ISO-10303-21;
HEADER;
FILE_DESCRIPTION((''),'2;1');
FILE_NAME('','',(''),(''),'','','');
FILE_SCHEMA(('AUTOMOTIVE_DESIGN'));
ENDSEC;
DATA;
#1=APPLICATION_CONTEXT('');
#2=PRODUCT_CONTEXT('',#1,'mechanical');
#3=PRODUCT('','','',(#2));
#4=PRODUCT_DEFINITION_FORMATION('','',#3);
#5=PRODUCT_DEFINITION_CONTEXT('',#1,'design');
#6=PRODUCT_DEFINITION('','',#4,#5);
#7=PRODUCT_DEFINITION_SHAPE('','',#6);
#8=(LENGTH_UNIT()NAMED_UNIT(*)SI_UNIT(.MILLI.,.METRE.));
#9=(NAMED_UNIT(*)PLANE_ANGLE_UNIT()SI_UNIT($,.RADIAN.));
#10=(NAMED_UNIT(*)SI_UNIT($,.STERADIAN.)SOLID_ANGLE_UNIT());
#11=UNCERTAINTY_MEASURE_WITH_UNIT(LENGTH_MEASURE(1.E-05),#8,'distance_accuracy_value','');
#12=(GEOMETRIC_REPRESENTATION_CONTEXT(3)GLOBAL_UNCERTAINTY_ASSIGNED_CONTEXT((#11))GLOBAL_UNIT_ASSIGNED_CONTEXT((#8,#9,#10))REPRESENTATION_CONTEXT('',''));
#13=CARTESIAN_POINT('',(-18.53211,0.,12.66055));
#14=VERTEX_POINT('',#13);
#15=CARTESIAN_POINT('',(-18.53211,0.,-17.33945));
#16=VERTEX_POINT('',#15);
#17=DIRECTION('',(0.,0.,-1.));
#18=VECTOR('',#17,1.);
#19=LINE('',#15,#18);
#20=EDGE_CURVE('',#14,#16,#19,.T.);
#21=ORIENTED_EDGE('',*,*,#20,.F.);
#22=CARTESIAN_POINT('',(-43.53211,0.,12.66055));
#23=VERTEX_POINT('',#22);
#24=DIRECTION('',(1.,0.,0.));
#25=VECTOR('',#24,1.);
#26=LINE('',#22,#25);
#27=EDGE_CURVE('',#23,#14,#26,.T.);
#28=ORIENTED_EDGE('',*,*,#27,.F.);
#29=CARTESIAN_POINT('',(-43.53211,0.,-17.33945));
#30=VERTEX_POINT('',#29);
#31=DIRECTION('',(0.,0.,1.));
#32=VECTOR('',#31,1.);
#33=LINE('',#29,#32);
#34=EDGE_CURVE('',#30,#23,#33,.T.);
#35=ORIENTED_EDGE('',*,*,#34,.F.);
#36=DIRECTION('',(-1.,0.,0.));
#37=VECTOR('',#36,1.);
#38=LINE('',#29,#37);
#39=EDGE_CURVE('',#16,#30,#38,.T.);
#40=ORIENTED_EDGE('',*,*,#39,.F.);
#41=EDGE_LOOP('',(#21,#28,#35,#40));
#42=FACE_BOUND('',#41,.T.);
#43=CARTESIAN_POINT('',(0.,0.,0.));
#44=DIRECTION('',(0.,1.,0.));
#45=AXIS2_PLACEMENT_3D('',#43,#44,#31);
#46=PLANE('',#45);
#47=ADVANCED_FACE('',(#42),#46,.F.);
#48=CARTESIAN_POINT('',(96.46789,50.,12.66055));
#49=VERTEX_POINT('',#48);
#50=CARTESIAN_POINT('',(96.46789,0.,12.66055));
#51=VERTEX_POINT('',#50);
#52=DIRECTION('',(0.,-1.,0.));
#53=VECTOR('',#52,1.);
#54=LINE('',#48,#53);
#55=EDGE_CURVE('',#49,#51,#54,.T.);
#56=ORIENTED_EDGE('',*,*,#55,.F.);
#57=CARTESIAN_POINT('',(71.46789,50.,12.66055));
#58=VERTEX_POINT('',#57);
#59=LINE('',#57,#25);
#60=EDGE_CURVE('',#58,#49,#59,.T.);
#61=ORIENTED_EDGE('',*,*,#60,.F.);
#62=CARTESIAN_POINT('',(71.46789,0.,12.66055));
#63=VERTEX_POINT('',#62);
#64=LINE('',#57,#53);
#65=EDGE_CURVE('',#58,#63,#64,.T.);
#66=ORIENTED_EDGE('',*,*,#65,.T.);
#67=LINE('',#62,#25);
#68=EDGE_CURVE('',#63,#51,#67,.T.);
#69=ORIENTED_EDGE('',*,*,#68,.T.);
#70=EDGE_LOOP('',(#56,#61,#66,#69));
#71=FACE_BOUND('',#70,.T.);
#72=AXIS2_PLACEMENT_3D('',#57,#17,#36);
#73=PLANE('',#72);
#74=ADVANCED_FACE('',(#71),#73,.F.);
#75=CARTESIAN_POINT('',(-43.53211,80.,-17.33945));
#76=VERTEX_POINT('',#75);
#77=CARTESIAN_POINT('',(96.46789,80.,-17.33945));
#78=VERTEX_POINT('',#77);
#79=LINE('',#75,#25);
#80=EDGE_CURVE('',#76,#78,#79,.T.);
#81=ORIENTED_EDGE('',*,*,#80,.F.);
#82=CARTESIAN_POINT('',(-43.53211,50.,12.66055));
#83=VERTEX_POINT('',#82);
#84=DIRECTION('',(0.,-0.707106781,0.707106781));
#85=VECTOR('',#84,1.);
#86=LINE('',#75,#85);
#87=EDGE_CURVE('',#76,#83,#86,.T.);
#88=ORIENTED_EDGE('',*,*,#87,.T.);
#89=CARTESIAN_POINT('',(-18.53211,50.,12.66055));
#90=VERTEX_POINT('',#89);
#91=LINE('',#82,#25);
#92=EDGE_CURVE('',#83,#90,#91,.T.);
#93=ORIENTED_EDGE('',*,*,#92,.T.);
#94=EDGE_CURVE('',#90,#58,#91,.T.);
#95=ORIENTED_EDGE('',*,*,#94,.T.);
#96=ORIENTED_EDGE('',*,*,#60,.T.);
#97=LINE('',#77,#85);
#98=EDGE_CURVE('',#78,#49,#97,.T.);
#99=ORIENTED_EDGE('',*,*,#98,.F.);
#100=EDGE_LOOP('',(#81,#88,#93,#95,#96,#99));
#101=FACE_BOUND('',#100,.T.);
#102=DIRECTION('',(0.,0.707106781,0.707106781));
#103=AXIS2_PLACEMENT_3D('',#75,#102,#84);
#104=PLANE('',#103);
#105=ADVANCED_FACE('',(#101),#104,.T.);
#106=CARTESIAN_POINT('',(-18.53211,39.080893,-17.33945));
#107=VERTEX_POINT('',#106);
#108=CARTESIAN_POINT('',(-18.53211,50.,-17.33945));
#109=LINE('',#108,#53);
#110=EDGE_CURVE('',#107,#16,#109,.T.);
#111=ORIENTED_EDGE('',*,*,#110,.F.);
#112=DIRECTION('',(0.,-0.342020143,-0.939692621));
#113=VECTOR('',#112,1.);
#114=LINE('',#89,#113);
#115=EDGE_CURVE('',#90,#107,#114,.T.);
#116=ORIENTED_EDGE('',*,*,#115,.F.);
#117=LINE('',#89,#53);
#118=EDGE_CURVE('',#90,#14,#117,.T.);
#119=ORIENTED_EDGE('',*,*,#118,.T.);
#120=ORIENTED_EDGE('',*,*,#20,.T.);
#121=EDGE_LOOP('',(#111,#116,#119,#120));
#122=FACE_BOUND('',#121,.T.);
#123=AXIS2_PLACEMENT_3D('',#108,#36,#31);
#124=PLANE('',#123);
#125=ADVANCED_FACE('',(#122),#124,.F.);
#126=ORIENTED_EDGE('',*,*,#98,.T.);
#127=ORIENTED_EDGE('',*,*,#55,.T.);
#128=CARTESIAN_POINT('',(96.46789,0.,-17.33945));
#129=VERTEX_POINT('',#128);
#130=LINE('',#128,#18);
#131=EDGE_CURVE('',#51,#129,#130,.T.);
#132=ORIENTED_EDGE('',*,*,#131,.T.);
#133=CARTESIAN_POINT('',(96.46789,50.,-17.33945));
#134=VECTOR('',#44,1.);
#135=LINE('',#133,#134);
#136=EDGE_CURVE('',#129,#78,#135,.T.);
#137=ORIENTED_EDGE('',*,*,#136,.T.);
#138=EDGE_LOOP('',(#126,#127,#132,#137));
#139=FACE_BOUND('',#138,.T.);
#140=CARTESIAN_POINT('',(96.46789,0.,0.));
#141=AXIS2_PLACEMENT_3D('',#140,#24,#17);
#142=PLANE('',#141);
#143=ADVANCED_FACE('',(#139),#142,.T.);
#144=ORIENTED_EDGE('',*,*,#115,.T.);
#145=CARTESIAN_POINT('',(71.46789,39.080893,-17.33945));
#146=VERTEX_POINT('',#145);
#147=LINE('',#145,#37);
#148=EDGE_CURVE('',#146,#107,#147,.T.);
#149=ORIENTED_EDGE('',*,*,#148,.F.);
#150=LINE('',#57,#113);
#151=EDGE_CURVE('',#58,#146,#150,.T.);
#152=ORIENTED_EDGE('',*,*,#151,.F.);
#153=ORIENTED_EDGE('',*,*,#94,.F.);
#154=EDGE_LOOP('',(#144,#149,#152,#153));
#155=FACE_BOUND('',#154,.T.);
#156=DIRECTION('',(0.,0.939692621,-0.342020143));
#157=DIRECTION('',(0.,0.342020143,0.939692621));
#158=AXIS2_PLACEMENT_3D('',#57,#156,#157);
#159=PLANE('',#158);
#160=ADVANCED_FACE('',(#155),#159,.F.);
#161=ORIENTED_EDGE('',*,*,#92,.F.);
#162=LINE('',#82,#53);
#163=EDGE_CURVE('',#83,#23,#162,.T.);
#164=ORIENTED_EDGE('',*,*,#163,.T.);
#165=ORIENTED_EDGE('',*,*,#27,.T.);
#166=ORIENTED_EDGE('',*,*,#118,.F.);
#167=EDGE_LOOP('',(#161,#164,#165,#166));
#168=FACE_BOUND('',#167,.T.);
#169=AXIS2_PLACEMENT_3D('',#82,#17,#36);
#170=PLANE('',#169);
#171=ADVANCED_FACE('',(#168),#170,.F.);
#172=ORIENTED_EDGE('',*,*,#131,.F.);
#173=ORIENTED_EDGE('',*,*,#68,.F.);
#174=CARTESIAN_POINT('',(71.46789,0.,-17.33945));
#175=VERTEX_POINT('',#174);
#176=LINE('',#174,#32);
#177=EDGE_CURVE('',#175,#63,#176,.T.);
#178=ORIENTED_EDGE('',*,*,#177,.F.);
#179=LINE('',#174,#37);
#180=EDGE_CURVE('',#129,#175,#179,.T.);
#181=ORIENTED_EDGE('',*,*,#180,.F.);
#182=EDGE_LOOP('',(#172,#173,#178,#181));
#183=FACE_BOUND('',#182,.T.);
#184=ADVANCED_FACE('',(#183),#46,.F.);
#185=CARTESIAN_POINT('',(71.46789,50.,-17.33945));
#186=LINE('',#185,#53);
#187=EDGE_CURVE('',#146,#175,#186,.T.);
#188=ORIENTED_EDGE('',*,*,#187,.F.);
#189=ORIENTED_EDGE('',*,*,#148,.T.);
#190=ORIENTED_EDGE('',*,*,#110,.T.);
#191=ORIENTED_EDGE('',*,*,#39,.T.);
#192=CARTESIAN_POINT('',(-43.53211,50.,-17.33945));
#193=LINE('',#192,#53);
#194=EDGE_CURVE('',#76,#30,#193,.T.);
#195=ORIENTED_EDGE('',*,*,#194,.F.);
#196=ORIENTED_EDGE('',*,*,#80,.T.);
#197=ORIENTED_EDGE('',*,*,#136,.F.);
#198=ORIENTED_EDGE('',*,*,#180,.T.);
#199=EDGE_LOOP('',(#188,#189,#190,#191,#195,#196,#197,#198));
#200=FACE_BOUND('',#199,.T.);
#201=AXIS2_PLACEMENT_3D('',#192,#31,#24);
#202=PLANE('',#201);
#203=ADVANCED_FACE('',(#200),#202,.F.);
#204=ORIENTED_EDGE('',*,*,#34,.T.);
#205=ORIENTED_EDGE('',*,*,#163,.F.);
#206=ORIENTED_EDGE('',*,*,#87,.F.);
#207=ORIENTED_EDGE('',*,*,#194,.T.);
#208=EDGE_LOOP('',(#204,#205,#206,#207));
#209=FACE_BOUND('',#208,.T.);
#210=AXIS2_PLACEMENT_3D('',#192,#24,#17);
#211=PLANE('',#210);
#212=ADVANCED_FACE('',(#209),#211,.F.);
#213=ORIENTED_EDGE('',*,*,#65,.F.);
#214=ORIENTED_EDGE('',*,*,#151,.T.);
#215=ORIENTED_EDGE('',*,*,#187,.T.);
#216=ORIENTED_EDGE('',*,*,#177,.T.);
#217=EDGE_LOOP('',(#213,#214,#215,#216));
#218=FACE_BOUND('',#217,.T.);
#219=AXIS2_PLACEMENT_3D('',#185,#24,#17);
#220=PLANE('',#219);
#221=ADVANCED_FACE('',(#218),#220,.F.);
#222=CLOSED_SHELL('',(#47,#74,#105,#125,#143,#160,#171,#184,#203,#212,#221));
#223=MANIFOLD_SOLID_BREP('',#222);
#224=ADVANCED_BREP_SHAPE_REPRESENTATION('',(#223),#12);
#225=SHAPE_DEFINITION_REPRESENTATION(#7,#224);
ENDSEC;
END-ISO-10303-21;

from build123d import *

# Parameters (mm, degrees)
SKETCH1_W             = 25
SKETCH1_H             = 30
BOSS_EXTRUDE1_DEPTH   = 50
BOSS_EXTRUDE1_2_DEPTH = 50
BOSS_EXTRUDE2_START   = -140
BOSS_EXTRUDE2_DEPTH   = 140
BOSS_EXTRUDE3_DEPTH   = 90


with BuildPart() as part:
    # Sketch1 → Boss-Extrude1 (new body)
    with BuildSketch(Plane(origin=(0, 0, 0), x_dir=(1, 0, 0), z_dir=(0, 1, 0))):
        with Locations((-31.032110092, 2.339449541)):
            Rectangle(SKETCH1_W, SKETCH1_H)
    extrude(amount=BOSS_EXTRUDE1_DEPTH)



with BuildPart() as body_2:
    # Sketch1 → Boss-Extrude1 2 (new body)
    with BuildSketch(Plane(origin=(0, 0, 0), x_dir=(1, 0, 0), z_dir=(0, 1, 0))):
        with Locations((83.967889908, 2.339449541)):
            Rectangle(SKETCH1_W, SKETCH1_H)
    extrude(amount=BOSS_EXTRUDE1_2_DEPTH)


with BuildPart() as part_1:
    add(part.part)

    add(body_2.part)  # Boss-Extrude2 merges body 2
    # Sketch2 → Boss-Extrude2 (add)
    with BuildSketch(Plane(origin=(96.467889908, 0, 0), x_dir=(0, 0, -1), z_dir=(1, 0, 0)).offset(BOSS_EXTRUDE2_START)):
        Polygon((-12.660550459, 50), (17.339449541, 50), (17.339449541, 80), align=None)
    extrude(amount=BOSS_EXTRUDE2_DEPTH)

    # Sketch3 → Boss-Extrude3 (add)
    with BuildSketch(Plane(origin=(-18.532110092, 0, 0), x_dir=(0, 0, -1), z_dir=(1, 0, 0))):
        Polygon((-12.660550459, 50), (17.339449541, 39.080892972), (17.339449541, 50), align=None)
    extrude(amount=BOSS_EXTRUDE3_DEPTH)


solid = part_1.part
